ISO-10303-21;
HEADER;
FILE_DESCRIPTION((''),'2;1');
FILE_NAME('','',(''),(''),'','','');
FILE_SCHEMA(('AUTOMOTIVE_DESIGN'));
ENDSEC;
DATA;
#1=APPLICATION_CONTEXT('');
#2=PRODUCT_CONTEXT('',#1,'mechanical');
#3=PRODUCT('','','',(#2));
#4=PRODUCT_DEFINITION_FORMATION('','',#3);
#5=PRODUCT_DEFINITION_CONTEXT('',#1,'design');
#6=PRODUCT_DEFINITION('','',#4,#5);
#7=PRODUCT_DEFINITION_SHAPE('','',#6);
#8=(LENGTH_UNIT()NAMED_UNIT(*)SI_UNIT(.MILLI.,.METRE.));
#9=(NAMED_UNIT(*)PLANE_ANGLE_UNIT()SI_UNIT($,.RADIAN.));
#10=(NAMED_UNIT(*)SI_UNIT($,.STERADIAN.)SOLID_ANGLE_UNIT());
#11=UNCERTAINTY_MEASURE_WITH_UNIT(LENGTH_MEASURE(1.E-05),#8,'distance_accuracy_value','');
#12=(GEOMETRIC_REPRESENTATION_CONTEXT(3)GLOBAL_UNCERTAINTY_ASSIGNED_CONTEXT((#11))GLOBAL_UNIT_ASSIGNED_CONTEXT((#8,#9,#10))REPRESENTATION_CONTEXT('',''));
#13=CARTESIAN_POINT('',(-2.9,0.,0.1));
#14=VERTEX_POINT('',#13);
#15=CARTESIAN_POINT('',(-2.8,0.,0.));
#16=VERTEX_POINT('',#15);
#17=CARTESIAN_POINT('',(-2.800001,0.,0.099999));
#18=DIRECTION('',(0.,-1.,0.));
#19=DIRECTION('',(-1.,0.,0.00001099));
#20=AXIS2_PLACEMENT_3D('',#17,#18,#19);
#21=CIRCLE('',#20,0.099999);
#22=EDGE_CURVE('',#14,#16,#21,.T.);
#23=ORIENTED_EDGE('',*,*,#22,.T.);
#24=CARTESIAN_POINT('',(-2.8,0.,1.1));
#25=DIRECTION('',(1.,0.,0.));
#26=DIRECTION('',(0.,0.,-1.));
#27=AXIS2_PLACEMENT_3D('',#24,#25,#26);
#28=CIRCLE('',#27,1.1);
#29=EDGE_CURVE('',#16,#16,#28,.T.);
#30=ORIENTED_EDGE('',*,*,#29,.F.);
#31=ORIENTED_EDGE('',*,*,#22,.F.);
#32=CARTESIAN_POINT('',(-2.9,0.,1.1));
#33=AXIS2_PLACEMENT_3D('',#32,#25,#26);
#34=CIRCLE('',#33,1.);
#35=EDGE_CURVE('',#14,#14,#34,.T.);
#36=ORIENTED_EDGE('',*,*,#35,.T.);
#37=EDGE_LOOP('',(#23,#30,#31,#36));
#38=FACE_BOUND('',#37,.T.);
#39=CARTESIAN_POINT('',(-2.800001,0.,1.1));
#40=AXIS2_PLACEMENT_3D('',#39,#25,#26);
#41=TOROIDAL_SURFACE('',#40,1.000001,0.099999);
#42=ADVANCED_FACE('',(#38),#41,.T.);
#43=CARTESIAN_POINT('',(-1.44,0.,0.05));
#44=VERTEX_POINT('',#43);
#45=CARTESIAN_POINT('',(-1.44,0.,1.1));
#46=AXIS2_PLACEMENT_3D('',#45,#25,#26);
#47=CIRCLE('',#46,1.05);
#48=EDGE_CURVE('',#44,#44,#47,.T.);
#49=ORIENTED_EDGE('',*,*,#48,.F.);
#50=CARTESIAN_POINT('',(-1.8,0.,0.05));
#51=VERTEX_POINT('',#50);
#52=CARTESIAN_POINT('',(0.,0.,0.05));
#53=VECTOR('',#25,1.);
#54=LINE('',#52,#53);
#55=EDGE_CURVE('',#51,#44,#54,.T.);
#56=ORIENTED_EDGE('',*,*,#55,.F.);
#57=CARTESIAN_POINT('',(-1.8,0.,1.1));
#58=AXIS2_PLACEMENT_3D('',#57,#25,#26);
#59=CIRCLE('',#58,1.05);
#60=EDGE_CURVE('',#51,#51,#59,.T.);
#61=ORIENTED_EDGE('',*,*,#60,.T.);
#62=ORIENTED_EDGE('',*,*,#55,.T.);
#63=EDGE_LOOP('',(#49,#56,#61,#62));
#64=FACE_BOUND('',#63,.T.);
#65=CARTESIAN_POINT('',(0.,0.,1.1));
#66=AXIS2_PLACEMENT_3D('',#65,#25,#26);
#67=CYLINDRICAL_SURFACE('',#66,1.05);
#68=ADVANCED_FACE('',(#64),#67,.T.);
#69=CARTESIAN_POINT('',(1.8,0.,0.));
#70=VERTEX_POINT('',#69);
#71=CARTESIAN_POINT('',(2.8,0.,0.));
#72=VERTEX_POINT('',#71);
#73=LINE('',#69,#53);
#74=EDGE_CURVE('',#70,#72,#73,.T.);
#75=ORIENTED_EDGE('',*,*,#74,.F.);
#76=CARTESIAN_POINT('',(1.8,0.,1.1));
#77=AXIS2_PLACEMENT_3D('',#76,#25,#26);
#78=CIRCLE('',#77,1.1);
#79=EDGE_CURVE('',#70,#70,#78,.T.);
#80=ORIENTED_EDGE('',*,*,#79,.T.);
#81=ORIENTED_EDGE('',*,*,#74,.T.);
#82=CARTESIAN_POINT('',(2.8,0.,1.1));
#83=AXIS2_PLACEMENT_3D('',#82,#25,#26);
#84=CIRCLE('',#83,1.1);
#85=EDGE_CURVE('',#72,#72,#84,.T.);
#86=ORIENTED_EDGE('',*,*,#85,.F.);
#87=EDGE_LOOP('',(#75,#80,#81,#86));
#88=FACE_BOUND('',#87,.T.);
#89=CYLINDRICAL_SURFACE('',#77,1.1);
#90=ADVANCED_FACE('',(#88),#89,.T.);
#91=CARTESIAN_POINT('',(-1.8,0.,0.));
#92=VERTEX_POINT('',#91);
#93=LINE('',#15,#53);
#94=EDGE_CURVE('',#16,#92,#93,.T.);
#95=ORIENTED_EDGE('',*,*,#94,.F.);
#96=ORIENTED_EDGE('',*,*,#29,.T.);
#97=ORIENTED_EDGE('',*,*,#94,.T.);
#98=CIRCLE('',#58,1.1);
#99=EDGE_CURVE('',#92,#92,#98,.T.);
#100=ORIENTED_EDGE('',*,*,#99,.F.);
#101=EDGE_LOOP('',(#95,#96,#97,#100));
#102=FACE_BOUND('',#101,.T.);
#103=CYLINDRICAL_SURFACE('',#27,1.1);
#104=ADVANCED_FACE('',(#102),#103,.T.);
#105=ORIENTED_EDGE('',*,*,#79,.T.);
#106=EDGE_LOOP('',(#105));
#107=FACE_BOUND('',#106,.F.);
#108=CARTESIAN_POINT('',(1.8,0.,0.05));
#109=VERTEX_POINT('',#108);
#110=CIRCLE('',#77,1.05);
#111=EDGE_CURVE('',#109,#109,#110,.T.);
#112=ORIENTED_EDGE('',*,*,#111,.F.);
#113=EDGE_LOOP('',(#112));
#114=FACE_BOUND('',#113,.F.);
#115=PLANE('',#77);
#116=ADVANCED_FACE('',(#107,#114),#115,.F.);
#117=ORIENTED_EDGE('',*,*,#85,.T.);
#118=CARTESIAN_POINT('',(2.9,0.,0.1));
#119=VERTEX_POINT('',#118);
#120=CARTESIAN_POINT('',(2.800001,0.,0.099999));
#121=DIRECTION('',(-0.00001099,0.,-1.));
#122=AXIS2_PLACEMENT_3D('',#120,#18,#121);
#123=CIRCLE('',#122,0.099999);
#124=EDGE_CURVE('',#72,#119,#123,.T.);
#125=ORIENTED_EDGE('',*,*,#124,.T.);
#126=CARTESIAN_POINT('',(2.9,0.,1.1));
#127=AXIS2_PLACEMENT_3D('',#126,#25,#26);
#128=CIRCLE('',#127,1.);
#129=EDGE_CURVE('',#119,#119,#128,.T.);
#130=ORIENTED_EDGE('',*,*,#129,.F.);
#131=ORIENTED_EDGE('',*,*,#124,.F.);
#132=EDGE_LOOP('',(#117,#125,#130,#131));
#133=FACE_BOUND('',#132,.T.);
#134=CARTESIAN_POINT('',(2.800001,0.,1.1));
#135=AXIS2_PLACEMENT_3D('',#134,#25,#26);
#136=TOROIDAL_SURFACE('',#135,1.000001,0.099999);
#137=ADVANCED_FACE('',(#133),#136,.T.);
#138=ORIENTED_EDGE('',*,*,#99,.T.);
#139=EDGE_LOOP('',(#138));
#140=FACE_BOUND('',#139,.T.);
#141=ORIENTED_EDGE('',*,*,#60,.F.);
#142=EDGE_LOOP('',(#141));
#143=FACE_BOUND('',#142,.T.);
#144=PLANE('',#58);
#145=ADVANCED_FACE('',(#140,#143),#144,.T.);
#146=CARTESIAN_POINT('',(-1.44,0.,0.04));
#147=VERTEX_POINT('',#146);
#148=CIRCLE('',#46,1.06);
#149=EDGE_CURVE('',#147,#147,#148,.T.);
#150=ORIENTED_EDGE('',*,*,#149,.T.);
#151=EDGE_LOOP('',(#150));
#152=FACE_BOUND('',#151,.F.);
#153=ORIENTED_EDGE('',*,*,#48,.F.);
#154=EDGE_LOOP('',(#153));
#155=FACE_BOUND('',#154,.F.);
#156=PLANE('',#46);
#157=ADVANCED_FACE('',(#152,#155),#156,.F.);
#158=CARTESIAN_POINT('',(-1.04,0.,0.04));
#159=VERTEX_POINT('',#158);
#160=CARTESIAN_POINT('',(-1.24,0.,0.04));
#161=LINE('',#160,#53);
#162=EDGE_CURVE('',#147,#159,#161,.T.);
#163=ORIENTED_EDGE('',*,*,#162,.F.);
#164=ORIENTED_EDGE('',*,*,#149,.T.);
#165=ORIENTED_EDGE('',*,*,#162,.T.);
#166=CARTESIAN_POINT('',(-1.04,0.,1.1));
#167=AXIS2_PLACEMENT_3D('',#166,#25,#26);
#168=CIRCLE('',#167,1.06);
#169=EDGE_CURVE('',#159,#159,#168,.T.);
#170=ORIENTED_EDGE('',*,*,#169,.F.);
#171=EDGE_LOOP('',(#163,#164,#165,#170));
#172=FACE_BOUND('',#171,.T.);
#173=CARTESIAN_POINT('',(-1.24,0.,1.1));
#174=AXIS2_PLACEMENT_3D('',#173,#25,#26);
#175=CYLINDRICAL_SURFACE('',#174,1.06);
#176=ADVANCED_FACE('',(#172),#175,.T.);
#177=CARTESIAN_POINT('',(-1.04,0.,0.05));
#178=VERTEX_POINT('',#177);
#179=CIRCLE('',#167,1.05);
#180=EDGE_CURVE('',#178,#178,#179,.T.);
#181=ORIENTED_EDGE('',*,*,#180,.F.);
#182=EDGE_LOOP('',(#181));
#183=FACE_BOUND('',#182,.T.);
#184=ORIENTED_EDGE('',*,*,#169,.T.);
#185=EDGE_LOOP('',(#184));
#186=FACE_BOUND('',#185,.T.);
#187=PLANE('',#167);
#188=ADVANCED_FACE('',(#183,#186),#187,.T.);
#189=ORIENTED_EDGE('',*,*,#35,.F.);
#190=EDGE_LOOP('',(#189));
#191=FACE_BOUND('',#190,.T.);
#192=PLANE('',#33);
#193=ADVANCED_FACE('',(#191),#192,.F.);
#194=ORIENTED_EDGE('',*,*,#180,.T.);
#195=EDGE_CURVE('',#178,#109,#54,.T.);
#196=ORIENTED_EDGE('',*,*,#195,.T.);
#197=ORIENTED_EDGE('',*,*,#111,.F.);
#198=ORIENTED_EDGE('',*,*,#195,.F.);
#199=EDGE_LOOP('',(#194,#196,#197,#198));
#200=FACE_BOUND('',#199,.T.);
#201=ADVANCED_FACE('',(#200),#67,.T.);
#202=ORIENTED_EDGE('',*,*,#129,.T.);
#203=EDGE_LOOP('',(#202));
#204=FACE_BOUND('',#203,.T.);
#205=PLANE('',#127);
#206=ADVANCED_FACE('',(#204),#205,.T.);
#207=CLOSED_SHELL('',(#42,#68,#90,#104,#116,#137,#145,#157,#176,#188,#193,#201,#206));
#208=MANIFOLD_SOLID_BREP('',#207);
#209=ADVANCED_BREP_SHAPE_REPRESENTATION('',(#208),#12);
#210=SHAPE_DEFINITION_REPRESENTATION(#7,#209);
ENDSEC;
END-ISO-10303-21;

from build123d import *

# Parameters (mm, degrees)
SKETCH_W    = 4.7
SKETCH_H    = 1.05
SKETCH002_W = 0.4
SKETCH002_H = 1.06


with BuildPart() as revolution001:
    # Sketch001 → Revolution001 (revolve)
    with BuildSketch(Plane.XZ):
        with BuildLine():
            Line((-2.8, 0), (-1.8, 0))
            Line((-1.8, 0), (-1.8, 1))
            Line((-1.8, 1), (1.8, 1))
            Line((1.8, 0), (1.8, 1))
            Line((1.8, 0), (2.8, 0))
            ThreePointArc((2.8, 0), (2.870711, 0.029289), (2.9, 0.1))
            Line((2.9, 0.1), (2.9, 1.1))
            Line((-2.9, 1.1), (2.9, 1.1))
            Line((-2.9, 1.1), (-2.9, 0.1))
            ThreePointArc((-2.9, 0.1), (-2.870711, 0.029289), (-2.8, 0))
        make_face()
    revolve(axis=Axis((-7.1, 0, 1.1), (1, 0, 0)))


with BuildPart() as revolution:
    # Sketch → Revolution (revolve)
    with BuildSketch(Plane.XZ):
        with Locations((0, 0.575)):
            Rectangle(SKETCH_W, SKETCH_H)
    revolve(axis=Axis((-15.061842, 0, 1.1), (1, 0, 0)))


with BuildPart() as d_melf_standard:
    # Sketch002 → Revolution002 (revolve)
    with BuildSketch(Plane.XZ):
        with Locations((-1.24, 0.57)):
            Rectangle(SKETCH002_W, SKETCH002_H)
    revolve(axis=Axis((-15.061842, 0, 1.1), (1, 0, 0)))

    # Fusion: union Revolution001, Revolution
    add(revolution001.part)
    add(revolution.part)


solid = d_melf_standard.part
